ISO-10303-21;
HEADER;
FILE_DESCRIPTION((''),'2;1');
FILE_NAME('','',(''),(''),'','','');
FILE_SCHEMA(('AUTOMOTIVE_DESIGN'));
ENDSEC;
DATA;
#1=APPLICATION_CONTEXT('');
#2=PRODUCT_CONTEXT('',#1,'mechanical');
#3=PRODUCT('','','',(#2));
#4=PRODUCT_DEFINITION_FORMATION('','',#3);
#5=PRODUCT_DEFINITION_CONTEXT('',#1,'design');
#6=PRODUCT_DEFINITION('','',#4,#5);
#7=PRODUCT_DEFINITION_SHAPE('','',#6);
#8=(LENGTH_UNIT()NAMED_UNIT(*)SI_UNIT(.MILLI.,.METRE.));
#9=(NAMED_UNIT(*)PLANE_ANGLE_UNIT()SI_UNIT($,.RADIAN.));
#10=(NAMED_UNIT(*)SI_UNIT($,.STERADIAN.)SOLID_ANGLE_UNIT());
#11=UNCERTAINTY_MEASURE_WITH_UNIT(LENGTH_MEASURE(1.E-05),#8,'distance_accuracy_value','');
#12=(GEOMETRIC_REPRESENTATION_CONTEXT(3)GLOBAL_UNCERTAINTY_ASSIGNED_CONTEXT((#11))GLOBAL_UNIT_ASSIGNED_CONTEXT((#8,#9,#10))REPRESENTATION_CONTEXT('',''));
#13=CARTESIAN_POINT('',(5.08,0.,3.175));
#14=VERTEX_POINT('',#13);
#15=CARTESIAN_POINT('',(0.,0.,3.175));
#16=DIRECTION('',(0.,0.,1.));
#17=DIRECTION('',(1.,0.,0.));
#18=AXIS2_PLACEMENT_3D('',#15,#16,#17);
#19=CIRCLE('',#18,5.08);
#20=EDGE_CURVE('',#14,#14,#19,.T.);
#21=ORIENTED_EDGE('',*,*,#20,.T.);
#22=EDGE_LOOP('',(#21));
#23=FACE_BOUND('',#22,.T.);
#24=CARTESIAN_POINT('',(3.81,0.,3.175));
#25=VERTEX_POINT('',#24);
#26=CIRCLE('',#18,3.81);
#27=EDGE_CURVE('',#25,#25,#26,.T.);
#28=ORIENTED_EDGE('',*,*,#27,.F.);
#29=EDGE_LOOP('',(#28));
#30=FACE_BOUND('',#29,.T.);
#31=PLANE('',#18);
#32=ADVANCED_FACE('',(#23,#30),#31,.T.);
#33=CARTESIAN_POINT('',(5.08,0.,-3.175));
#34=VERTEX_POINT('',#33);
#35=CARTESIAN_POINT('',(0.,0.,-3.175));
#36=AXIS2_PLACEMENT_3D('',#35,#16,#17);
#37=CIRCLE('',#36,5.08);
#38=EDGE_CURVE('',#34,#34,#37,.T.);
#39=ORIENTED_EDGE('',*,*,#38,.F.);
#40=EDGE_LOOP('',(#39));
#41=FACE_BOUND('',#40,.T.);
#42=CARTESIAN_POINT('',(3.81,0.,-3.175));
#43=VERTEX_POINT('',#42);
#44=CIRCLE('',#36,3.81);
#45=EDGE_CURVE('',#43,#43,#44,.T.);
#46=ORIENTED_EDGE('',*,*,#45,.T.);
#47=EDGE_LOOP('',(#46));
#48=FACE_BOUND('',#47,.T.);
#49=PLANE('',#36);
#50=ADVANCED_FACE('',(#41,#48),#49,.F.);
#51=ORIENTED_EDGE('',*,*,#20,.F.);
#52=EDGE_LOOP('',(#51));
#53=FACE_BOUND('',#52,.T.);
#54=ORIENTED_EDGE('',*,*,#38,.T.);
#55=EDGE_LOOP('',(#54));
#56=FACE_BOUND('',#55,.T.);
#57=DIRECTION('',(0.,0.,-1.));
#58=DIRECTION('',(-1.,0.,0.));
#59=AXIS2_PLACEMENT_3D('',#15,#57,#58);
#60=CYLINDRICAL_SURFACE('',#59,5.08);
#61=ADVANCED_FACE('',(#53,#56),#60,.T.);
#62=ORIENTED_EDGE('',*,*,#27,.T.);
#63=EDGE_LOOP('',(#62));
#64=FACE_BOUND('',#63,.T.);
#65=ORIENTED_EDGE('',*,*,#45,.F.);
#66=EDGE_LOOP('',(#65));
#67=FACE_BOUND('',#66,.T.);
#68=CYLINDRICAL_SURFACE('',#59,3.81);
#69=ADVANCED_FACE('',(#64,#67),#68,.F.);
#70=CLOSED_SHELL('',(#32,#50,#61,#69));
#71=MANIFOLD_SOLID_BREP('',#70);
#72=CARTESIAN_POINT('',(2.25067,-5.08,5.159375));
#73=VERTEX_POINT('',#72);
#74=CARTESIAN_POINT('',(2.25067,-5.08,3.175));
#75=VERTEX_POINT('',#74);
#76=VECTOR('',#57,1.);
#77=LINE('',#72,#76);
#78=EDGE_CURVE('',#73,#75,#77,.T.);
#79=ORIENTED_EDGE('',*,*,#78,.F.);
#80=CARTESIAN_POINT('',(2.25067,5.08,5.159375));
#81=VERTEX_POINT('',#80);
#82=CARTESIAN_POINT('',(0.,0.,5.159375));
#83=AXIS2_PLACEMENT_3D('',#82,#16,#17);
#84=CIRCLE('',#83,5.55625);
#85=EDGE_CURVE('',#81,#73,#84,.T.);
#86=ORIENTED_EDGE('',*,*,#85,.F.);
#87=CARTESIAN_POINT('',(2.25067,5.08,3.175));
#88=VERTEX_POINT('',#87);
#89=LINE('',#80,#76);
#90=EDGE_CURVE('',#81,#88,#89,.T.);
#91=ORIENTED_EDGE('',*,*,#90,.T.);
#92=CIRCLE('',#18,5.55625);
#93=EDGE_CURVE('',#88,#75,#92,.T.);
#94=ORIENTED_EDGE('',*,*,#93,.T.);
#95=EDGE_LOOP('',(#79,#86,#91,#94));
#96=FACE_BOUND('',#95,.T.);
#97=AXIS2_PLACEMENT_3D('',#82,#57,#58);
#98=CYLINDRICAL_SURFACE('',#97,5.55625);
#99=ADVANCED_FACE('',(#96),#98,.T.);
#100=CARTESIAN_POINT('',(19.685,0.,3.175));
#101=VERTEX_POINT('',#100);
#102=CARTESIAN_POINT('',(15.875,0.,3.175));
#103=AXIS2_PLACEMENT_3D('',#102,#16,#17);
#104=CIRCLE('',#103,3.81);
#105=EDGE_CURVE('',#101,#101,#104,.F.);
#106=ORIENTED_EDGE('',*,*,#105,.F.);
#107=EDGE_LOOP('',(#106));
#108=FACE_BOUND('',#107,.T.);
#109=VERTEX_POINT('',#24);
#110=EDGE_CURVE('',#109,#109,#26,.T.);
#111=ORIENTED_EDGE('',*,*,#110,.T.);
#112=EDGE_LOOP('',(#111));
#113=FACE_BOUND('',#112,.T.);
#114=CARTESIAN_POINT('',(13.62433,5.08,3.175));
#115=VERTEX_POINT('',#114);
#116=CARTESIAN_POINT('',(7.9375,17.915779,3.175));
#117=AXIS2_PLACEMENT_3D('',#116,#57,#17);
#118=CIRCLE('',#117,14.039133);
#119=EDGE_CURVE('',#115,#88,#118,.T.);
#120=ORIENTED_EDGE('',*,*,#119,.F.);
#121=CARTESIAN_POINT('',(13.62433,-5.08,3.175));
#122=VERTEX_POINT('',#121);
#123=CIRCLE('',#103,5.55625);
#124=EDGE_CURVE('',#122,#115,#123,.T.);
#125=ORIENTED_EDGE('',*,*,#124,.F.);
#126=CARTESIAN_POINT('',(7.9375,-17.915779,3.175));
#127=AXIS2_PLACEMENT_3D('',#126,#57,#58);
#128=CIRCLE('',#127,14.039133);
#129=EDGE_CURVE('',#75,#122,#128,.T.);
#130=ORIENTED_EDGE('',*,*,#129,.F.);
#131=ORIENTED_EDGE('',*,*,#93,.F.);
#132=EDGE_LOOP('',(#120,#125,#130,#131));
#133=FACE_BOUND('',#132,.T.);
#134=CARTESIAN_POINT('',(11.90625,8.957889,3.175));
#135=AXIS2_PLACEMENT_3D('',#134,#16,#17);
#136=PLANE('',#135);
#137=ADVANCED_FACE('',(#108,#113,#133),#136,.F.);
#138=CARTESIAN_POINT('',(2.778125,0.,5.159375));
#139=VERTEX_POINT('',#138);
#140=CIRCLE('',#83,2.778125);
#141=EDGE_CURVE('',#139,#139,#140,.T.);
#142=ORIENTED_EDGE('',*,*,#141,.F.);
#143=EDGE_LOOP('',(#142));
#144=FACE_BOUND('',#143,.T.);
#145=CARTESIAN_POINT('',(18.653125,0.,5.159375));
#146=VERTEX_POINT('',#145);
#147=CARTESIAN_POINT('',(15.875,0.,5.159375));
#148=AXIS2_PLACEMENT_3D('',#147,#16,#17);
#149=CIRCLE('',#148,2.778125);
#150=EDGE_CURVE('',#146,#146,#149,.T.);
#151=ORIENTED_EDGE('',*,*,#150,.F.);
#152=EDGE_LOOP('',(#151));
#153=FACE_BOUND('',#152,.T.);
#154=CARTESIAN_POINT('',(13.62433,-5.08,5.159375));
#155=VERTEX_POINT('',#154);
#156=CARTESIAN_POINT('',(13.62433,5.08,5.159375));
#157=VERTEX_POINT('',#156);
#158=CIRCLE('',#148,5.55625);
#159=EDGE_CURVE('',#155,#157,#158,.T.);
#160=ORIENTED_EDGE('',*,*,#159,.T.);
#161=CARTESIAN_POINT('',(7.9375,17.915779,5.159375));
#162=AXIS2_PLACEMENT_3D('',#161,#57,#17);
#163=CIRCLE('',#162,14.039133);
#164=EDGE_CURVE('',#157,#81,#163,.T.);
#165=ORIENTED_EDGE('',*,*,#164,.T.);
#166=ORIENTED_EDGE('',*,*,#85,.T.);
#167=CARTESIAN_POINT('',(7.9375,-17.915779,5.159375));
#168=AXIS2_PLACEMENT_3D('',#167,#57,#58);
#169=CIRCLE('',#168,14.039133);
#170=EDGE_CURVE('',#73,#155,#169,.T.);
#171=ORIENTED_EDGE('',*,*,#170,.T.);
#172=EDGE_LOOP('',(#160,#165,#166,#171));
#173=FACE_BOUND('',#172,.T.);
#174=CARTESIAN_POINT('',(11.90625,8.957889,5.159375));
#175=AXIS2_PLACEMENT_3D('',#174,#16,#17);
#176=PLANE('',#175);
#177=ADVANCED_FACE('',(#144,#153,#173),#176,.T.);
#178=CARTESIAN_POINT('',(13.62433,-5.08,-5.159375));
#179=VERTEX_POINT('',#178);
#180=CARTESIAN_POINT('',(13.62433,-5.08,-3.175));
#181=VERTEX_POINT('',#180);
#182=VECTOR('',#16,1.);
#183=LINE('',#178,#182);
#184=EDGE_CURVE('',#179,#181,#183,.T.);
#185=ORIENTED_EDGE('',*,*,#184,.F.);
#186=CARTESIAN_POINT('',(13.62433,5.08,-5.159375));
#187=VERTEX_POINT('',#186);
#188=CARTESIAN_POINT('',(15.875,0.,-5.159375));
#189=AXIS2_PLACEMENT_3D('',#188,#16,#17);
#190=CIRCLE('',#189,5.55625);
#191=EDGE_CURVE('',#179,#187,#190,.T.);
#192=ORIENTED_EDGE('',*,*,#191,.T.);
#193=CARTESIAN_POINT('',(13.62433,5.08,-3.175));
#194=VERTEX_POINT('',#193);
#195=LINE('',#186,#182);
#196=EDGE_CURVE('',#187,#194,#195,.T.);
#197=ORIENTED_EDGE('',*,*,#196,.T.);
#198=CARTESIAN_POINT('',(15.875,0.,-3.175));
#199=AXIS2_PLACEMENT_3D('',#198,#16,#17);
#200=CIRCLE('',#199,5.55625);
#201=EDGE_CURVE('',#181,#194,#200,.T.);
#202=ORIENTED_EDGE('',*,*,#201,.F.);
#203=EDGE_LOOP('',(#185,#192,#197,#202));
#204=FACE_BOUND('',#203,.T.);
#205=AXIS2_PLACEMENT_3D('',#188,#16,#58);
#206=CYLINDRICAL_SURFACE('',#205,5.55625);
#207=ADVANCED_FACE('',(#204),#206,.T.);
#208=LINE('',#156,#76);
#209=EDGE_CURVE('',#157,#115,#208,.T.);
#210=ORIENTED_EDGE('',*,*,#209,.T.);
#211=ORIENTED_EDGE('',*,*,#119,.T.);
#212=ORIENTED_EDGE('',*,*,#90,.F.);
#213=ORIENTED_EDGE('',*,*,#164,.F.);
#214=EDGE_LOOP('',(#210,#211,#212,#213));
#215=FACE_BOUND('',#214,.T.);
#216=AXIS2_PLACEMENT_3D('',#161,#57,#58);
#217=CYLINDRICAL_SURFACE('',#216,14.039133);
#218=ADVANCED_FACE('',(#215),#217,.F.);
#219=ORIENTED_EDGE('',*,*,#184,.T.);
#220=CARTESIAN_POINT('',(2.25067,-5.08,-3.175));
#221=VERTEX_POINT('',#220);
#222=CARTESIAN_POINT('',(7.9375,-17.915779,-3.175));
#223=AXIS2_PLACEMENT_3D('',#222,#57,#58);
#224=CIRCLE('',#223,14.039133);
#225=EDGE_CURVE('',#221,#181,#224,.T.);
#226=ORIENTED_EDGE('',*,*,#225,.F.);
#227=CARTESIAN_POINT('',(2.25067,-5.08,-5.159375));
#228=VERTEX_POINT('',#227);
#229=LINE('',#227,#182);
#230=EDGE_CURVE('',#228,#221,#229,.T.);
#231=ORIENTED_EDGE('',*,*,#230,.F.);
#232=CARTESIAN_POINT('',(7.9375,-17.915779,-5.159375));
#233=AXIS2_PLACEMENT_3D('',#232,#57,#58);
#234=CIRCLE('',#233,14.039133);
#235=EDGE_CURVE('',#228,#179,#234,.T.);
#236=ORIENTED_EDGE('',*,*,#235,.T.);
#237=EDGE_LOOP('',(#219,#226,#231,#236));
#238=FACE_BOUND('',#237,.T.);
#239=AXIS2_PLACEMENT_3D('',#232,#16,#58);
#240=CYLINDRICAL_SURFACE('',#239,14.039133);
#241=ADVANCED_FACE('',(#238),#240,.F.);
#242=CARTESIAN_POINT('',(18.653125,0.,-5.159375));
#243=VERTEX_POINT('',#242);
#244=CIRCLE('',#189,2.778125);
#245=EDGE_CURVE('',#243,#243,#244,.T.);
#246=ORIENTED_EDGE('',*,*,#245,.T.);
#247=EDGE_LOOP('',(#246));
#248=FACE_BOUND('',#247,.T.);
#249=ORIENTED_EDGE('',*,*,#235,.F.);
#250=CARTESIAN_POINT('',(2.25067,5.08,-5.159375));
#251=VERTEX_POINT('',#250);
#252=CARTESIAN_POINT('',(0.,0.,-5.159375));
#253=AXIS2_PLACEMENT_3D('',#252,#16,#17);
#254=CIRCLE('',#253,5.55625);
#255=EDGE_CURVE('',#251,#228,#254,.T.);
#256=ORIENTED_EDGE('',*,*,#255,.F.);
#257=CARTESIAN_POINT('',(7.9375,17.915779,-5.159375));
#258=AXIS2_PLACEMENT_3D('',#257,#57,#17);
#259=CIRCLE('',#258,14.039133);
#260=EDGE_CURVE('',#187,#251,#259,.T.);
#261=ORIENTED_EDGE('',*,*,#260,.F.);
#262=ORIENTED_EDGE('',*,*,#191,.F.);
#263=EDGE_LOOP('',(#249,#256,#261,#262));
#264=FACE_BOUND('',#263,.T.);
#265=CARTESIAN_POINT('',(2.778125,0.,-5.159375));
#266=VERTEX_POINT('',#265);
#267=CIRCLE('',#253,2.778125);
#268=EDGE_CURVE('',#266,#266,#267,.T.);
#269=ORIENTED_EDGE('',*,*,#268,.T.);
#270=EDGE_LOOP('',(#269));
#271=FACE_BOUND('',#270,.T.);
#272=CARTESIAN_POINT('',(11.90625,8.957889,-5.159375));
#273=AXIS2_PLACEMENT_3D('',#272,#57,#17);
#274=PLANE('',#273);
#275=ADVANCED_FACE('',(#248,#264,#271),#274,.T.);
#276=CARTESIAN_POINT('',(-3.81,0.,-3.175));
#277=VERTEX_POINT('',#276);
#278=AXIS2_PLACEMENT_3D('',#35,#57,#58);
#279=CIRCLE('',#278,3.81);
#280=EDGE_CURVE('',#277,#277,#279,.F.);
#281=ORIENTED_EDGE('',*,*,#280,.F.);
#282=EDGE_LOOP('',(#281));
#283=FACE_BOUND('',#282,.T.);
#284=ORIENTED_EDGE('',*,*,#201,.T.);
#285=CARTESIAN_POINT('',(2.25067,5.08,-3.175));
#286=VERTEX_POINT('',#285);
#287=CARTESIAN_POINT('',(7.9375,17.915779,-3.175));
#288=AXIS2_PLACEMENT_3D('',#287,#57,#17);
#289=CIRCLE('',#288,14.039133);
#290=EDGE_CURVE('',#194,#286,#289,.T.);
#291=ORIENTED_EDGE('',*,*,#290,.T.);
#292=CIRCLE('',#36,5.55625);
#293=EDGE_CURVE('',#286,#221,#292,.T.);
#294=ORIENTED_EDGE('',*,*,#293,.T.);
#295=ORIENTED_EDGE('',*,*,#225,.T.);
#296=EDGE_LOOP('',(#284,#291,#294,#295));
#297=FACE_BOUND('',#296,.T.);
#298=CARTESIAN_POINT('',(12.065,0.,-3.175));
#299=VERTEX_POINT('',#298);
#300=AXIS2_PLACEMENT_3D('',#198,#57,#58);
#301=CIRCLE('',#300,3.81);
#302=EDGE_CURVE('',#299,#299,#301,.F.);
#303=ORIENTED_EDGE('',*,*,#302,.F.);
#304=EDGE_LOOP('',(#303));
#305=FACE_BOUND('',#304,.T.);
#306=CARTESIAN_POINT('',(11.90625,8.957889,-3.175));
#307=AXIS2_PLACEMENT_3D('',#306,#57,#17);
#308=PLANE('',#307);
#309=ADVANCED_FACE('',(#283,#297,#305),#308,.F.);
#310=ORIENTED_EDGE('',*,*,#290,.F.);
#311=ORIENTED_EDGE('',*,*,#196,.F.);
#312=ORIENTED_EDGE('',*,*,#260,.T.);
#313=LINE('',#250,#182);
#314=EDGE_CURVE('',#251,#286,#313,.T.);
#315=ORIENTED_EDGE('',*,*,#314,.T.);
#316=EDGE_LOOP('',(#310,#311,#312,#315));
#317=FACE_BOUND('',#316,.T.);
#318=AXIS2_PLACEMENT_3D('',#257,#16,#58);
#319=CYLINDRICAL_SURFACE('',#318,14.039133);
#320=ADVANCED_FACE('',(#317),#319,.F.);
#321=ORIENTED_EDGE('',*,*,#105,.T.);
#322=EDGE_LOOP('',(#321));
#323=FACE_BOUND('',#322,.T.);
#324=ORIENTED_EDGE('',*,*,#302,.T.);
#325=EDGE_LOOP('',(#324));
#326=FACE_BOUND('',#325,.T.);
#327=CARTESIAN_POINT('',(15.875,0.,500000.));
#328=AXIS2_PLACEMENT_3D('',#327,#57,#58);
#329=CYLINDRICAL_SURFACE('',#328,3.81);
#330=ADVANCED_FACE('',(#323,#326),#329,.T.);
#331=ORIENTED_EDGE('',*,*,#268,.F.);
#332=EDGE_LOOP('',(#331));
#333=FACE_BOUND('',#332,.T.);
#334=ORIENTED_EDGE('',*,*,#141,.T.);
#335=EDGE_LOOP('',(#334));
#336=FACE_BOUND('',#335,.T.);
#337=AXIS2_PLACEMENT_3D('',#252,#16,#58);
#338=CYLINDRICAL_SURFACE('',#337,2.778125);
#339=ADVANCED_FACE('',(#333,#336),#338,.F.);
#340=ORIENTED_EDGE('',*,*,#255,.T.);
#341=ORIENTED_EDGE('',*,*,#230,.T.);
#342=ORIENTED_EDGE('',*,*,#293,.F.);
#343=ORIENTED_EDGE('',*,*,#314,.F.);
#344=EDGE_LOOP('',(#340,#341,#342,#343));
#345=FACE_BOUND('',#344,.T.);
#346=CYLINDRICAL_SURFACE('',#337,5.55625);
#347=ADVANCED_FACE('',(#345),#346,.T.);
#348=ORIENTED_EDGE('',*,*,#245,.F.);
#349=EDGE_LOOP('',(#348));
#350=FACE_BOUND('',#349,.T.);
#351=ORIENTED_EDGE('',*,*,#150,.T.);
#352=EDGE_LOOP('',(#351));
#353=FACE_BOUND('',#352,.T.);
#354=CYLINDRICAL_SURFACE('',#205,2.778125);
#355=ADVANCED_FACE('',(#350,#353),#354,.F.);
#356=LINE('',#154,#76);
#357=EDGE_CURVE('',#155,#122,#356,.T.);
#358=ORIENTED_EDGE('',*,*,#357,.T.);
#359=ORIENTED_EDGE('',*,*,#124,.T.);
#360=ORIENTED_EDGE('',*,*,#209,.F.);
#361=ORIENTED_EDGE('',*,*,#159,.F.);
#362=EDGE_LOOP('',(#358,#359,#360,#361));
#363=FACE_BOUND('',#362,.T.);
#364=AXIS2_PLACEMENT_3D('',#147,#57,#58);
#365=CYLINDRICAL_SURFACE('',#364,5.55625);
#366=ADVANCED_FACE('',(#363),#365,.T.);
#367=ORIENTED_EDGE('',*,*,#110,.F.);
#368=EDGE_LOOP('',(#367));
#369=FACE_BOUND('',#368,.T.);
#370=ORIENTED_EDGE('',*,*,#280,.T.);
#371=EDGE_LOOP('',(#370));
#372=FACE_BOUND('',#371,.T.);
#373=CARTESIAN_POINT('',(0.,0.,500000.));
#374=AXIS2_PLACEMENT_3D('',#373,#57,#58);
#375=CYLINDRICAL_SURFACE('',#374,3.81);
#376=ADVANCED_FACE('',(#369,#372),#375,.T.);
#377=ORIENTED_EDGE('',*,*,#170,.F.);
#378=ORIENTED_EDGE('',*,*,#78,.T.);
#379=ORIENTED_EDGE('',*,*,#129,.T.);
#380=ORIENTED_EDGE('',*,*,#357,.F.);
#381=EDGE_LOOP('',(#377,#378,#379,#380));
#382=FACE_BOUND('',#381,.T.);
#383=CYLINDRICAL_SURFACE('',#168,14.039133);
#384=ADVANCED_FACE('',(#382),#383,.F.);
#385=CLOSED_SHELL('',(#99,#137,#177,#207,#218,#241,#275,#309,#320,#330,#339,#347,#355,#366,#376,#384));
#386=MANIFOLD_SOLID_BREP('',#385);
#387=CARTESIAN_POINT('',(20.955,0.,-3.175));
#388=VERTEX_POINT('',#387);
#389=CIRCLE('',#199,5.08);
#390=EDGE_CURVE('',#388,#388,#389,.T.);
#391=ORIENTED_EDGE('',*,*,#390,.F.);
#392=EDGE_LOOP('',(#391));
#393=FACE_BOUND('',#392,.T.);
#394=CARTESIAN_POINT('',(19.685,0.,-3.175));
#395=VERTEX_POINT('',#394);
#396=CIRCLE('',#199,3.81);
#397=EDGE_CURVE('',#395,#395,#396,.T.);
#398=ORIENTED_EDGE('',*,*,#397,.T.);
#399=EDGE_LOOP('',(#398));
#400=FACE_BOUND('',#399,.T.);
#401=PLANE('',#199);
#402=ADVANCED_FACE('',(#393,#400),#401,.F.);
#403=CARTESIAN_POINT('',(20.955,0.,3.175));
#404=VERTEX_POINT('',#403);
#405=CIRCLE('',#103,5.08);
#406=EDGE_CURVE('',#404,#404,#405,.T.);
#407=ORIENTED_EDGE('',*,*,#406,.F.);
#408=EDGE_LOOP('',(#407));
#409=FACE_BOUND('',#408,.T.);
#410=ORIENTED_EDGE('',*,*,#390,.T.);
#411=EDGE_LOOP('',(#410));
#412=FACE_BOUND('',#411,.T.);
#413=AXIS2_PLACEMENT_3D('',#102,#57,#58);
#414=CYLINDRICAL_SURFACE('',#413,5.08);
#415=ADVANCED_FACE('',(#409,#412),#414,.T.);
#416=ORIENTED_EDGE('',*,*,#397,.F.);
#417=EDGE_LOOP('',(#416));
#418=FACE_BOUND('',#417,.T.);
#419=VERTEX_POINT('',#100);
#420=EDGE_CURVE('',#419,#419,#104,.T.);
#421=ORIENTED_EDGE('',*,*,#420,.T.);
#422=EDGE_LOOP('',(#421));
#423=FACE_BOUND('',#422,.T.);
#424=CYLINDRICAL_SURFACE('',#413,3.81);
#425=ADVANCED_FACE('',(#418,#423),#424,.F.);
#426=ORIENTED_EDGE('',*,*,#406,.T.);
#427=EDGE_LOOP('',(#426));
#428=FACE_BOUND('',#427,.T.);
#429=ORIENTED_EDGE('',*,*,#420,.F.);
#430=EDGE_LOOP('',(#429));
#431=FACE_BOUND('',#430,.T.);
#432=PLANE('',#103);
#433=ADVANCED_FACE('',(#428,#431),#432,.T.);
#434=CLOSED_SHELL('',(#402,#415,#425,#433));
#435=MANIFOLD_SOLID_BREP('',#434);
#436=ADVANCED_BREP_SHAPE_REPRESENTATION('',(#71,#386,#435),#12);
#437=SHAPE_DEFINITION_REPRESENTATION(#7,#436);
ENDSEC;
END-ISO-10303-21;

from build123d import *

# Parameters (mm, degrees)
SKETCH1_R             = 5.08
SKETCH1_R_2           = 3.81
BOSS_EXTRUDE1_DEPTH   = 3.175
BOSS_EXTRUDE1_2_DEPTH = 3.175
SKETCH2_R             = 2.778125
BOSS_EXTRUDE2_DEPTH   = 1.984375
SKETCH3_R             = 3.81
SKETCH3_R_2           = 2.778125
BOSS_EXTRUDE3_DEPTH   = 8.334375


with BuildPart() as part:
    # Sketch1 → Boss-Extrude1 (new body, symmetric)
    with BuildSketch(Plane.XY):
        Circle(SKETCH1_R)
        Circle(SKETCH1_R_2, mode=Mode.SUBTRACT)
    extrude(amount=BOSS_EXTRUDE1_DEPTH, both=True)


with BuildPart() as body_2:
    # Sketch1 → Boss-Extrude1 2 (new body, symmetric)
    with BuildSketch(Plane.XY):
        with Locations((15.875, 0)):
            Circle(SKETCH1_R)
        with Locations((15.875, 0)):
            Circle(SKETCH1_R_2, mode=Mode.SUBTRACT)
    extrude(amount=BOSS_EXTRUDE1_2_DEPTH, both=True)


with BuildPart() as body_3:
    # Sketch2 → Boss-Extrude2 (new body)
    with BuildSketch(Plane.XY.offset(3.175)):
        with BuildLine():
            ThreePointArc((2.250669692, 5.08), (-5.55625, 0), (2.250669692, -5.08))
            ThreePointArc((2.250669692, -5.08), (7.9375, -3.876645752), (13.624330308, -5.08))
            ThreePointArc((13.624330308, -5.08), (21.43125, 0), (13.624330308, 5.08))
            ThreePointArc((13.624330308, 5.08), (7.9375, 3.876645752), (2.250669692, 5.08))
        make_face()
        Circle(SKETCH2_R, mode=Mode.SUBTRACT)
        with Locations((15.875, 0)):
            Circle(SKETCH2_R, mode=Mode.SUBTRACT)
    extrude(amount=BOSS_EXTRUDE2_DEPTH)


with BuildPart() as body_4:
    # Mirror1: mirrored copy
    add(body_3.part.mirror(Plane.XY))


    add(body_3.part)  # Boss-Extrude3 merges body 3
    # Sketch3 → Boss-Extrude3 (add)
    with BuildSketch(Plane.XY.offset(-3.175)):
        Circle(SKETCH3_R)
        Circle(SKETCH3_R_2, mode=Mode.SUBTRACT)
        with Locations((15.875, 0)):
            Circle(SKETCH3_R)
        with Locations((15.875, 0)):
            Circle(SKETCH3_R_2, mode=Mode.SUBTRACT)
    extrude(amount=BOSS_EXTRUDE3_DEPTH)


solid = Compound([part.part, body_2.part, body_4.part])
